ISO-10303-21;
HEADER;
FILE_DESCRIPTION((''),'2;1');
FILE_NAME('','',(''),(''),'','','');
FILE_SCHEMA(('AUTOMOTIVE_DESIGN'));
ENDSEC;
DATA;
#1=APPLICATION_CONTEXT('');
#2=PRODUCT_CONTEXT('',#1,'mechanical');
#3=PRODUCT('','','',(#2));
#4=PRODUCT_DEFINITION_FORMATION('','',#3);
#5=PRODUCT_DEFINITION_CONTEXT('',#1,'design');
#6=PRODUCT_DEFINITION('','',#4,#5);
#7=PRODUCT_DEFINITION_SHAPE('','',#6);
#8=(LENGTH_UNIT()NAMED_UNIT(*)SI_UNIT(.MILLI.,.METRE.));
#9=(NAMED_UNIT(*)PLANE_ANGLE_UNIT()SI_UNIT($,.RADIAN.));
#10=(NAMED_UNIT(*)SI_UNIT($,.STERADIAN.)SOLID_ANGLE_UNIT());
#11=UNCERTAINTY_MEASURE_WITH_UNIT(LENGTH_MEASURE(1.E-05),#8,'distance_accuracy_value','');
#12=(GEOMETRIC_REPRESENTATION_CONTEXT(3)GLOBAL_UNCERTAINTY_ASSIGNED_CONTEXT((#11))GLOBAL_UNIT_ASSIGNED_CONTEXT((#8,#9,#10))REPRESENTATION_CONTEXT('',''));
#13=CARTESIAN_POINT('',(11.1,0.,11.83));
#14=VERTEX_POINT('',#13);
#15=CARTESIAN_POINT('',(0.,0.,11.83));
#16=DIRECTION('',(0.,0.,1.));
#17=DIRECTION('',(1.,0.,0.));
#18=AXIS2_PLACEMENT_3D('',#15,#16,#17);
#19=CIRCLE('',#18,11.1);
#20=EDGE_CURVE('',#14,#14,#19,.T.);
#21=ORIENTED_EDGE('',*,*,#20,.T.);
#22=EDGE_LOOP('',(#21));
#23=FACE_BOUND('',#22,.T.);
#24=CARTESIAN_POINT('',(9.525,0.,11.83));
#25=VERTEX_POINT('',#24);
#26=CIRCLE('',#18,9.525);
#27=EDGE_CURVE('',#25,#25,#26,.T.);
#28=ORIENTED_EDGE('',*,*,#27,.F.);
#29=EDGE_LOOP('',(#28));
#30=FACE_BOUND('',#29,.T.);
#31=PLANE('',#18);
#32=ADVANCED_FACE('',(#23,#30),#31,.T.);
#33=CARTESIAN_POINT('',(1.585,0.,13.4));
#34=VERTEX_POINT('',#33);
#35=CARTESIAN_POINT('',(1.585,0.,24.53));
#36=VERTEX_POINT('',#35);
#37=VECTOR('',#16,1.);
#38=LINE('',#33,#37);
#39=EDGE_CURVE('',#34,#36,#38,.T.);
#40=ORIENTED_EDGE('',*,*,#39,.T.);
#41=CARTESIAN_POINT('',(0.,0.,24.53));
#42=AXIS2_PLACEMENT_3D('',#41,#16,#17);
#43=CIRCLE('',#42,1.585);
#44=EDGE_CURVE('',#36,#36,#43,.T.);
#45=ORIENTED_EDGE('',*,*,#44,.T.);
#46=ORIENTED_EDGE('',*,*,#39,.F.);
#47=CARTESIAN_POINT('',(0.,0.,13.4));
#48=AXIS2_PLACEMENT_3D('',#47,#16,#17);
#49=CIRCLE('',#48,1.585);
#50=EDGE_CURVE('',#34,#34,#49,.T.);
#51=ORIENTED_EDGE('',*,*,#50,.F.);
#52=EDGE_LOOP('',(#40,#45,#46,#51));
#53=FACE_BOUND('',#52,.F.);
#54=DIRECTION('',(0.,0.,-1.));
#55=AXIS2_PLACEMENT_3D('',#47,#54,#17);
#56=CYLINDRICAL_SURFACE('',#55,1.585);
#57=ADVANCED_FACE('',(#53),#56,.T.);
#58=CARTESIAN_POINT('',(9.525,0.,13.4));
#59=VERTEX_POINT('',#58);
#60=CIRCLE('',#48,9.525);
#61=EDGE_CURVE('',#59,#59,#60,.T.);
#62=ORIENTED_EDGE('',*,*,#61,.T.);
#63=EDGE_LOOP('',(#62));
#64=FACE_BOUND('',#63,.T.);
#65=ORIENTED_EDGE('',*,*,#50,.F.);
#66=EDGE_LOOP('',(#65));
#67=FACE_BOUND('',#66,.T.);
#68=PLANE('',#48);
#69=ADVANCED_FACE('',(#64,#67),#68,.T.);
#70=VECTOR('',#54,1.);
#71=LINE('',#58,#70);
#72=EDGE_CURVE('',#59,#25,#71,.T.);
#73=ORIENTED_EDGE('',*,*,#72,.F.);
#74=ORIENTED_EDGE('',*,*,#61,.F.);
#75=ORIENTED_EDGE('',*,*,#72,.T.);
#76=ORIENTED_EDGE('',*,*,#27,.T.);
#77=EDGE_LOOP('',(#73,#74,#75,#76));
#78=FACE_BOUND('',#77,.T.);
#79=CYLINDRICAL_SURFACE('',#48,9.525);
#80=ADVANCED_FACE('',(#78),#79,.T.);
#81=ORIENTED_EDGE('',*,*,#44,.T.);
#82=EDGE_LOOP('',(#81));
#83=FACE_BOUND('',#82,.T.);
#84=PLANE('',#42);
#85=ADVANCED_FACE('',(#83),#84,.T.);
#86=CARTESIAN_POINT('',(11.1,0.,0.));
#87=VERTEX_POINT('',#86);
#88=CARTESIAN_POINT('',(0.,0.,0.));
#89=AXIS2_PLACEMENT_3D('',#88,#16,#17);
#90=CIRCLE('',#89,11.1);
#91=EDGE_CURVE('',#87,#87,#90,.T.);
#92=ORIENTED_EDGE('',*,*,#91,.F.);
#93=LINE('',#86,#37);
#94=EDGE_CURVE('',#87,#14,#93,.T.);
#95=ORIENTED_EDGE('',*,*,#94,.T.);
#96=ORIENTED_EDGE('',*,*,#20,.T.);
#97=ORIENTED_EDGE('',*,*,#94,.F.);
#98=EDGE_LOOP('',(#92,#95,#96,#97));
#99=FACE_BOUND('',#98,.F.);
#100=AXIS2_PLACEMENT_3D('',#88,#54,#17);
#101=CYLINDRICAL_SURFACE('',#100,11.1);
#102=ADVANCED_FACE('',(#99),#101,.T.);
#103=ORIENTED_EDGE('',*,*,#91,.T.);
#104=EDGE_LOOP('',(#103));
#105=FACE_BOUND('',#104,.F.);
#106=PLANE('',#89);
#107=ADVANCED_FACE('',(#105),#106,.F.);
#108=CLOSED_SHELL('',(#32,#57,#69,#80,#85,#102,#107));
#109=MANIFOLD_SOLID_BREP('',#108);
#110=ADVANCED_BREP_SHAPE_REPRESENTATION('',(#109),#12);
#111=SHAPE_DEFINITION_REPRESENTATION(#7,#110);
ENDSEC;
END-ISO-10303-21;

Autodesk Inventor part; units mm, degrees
ref_plane "YZ Plane" through (0, 0, 0) normal (1, 0, 0) x (0, 1, 0)
ref_plane "XZ Plane" through (0, 0, 0) normal (0, 1, 0) x (-1, 0, 0)
ref_plane "XY Plane" through (0, 0, 0) normal (0, 0, 1) x (1, 0, 0)
sketch "Esquisse1" plane through (0, 0, 0) normal (0, 0, 1) x (1, 0, 0)
  circle A0 centre (0, 0) radius 11.1
  dimension "d0" = 22.2
extrude "Extrusion1" add sketch "Esquisse1" along normal blind 13.4
sketch "Esquisse2" plane through (0, 0, 13.4) normal (0, 0, 1) x (1, 0, 0)
  circle A0 centre (0, 0) radius 11.1 projected
  circle A1 centre (0, 0) radius 9.525
  dimension "d3" = 19.05
extrude "Extrusion2" cut sketch "Esquisse2" against normal blind 1.57
sketch "Esquisse4" plane through (0, 0, 13.4) normal (0, 0, 1) x (1, 0, 0)
  circle A0 centre (0, 0) radius 9.525 projected
  circle A1 centre (0, 0) radius 1.585
  dimension "d7" = 3.17
extrude "Extrusion3" add sketch "Esquisse4" along normal blind 11.13 contours A1
properties part number "Vishay-157" material "Aluminium 6061"
